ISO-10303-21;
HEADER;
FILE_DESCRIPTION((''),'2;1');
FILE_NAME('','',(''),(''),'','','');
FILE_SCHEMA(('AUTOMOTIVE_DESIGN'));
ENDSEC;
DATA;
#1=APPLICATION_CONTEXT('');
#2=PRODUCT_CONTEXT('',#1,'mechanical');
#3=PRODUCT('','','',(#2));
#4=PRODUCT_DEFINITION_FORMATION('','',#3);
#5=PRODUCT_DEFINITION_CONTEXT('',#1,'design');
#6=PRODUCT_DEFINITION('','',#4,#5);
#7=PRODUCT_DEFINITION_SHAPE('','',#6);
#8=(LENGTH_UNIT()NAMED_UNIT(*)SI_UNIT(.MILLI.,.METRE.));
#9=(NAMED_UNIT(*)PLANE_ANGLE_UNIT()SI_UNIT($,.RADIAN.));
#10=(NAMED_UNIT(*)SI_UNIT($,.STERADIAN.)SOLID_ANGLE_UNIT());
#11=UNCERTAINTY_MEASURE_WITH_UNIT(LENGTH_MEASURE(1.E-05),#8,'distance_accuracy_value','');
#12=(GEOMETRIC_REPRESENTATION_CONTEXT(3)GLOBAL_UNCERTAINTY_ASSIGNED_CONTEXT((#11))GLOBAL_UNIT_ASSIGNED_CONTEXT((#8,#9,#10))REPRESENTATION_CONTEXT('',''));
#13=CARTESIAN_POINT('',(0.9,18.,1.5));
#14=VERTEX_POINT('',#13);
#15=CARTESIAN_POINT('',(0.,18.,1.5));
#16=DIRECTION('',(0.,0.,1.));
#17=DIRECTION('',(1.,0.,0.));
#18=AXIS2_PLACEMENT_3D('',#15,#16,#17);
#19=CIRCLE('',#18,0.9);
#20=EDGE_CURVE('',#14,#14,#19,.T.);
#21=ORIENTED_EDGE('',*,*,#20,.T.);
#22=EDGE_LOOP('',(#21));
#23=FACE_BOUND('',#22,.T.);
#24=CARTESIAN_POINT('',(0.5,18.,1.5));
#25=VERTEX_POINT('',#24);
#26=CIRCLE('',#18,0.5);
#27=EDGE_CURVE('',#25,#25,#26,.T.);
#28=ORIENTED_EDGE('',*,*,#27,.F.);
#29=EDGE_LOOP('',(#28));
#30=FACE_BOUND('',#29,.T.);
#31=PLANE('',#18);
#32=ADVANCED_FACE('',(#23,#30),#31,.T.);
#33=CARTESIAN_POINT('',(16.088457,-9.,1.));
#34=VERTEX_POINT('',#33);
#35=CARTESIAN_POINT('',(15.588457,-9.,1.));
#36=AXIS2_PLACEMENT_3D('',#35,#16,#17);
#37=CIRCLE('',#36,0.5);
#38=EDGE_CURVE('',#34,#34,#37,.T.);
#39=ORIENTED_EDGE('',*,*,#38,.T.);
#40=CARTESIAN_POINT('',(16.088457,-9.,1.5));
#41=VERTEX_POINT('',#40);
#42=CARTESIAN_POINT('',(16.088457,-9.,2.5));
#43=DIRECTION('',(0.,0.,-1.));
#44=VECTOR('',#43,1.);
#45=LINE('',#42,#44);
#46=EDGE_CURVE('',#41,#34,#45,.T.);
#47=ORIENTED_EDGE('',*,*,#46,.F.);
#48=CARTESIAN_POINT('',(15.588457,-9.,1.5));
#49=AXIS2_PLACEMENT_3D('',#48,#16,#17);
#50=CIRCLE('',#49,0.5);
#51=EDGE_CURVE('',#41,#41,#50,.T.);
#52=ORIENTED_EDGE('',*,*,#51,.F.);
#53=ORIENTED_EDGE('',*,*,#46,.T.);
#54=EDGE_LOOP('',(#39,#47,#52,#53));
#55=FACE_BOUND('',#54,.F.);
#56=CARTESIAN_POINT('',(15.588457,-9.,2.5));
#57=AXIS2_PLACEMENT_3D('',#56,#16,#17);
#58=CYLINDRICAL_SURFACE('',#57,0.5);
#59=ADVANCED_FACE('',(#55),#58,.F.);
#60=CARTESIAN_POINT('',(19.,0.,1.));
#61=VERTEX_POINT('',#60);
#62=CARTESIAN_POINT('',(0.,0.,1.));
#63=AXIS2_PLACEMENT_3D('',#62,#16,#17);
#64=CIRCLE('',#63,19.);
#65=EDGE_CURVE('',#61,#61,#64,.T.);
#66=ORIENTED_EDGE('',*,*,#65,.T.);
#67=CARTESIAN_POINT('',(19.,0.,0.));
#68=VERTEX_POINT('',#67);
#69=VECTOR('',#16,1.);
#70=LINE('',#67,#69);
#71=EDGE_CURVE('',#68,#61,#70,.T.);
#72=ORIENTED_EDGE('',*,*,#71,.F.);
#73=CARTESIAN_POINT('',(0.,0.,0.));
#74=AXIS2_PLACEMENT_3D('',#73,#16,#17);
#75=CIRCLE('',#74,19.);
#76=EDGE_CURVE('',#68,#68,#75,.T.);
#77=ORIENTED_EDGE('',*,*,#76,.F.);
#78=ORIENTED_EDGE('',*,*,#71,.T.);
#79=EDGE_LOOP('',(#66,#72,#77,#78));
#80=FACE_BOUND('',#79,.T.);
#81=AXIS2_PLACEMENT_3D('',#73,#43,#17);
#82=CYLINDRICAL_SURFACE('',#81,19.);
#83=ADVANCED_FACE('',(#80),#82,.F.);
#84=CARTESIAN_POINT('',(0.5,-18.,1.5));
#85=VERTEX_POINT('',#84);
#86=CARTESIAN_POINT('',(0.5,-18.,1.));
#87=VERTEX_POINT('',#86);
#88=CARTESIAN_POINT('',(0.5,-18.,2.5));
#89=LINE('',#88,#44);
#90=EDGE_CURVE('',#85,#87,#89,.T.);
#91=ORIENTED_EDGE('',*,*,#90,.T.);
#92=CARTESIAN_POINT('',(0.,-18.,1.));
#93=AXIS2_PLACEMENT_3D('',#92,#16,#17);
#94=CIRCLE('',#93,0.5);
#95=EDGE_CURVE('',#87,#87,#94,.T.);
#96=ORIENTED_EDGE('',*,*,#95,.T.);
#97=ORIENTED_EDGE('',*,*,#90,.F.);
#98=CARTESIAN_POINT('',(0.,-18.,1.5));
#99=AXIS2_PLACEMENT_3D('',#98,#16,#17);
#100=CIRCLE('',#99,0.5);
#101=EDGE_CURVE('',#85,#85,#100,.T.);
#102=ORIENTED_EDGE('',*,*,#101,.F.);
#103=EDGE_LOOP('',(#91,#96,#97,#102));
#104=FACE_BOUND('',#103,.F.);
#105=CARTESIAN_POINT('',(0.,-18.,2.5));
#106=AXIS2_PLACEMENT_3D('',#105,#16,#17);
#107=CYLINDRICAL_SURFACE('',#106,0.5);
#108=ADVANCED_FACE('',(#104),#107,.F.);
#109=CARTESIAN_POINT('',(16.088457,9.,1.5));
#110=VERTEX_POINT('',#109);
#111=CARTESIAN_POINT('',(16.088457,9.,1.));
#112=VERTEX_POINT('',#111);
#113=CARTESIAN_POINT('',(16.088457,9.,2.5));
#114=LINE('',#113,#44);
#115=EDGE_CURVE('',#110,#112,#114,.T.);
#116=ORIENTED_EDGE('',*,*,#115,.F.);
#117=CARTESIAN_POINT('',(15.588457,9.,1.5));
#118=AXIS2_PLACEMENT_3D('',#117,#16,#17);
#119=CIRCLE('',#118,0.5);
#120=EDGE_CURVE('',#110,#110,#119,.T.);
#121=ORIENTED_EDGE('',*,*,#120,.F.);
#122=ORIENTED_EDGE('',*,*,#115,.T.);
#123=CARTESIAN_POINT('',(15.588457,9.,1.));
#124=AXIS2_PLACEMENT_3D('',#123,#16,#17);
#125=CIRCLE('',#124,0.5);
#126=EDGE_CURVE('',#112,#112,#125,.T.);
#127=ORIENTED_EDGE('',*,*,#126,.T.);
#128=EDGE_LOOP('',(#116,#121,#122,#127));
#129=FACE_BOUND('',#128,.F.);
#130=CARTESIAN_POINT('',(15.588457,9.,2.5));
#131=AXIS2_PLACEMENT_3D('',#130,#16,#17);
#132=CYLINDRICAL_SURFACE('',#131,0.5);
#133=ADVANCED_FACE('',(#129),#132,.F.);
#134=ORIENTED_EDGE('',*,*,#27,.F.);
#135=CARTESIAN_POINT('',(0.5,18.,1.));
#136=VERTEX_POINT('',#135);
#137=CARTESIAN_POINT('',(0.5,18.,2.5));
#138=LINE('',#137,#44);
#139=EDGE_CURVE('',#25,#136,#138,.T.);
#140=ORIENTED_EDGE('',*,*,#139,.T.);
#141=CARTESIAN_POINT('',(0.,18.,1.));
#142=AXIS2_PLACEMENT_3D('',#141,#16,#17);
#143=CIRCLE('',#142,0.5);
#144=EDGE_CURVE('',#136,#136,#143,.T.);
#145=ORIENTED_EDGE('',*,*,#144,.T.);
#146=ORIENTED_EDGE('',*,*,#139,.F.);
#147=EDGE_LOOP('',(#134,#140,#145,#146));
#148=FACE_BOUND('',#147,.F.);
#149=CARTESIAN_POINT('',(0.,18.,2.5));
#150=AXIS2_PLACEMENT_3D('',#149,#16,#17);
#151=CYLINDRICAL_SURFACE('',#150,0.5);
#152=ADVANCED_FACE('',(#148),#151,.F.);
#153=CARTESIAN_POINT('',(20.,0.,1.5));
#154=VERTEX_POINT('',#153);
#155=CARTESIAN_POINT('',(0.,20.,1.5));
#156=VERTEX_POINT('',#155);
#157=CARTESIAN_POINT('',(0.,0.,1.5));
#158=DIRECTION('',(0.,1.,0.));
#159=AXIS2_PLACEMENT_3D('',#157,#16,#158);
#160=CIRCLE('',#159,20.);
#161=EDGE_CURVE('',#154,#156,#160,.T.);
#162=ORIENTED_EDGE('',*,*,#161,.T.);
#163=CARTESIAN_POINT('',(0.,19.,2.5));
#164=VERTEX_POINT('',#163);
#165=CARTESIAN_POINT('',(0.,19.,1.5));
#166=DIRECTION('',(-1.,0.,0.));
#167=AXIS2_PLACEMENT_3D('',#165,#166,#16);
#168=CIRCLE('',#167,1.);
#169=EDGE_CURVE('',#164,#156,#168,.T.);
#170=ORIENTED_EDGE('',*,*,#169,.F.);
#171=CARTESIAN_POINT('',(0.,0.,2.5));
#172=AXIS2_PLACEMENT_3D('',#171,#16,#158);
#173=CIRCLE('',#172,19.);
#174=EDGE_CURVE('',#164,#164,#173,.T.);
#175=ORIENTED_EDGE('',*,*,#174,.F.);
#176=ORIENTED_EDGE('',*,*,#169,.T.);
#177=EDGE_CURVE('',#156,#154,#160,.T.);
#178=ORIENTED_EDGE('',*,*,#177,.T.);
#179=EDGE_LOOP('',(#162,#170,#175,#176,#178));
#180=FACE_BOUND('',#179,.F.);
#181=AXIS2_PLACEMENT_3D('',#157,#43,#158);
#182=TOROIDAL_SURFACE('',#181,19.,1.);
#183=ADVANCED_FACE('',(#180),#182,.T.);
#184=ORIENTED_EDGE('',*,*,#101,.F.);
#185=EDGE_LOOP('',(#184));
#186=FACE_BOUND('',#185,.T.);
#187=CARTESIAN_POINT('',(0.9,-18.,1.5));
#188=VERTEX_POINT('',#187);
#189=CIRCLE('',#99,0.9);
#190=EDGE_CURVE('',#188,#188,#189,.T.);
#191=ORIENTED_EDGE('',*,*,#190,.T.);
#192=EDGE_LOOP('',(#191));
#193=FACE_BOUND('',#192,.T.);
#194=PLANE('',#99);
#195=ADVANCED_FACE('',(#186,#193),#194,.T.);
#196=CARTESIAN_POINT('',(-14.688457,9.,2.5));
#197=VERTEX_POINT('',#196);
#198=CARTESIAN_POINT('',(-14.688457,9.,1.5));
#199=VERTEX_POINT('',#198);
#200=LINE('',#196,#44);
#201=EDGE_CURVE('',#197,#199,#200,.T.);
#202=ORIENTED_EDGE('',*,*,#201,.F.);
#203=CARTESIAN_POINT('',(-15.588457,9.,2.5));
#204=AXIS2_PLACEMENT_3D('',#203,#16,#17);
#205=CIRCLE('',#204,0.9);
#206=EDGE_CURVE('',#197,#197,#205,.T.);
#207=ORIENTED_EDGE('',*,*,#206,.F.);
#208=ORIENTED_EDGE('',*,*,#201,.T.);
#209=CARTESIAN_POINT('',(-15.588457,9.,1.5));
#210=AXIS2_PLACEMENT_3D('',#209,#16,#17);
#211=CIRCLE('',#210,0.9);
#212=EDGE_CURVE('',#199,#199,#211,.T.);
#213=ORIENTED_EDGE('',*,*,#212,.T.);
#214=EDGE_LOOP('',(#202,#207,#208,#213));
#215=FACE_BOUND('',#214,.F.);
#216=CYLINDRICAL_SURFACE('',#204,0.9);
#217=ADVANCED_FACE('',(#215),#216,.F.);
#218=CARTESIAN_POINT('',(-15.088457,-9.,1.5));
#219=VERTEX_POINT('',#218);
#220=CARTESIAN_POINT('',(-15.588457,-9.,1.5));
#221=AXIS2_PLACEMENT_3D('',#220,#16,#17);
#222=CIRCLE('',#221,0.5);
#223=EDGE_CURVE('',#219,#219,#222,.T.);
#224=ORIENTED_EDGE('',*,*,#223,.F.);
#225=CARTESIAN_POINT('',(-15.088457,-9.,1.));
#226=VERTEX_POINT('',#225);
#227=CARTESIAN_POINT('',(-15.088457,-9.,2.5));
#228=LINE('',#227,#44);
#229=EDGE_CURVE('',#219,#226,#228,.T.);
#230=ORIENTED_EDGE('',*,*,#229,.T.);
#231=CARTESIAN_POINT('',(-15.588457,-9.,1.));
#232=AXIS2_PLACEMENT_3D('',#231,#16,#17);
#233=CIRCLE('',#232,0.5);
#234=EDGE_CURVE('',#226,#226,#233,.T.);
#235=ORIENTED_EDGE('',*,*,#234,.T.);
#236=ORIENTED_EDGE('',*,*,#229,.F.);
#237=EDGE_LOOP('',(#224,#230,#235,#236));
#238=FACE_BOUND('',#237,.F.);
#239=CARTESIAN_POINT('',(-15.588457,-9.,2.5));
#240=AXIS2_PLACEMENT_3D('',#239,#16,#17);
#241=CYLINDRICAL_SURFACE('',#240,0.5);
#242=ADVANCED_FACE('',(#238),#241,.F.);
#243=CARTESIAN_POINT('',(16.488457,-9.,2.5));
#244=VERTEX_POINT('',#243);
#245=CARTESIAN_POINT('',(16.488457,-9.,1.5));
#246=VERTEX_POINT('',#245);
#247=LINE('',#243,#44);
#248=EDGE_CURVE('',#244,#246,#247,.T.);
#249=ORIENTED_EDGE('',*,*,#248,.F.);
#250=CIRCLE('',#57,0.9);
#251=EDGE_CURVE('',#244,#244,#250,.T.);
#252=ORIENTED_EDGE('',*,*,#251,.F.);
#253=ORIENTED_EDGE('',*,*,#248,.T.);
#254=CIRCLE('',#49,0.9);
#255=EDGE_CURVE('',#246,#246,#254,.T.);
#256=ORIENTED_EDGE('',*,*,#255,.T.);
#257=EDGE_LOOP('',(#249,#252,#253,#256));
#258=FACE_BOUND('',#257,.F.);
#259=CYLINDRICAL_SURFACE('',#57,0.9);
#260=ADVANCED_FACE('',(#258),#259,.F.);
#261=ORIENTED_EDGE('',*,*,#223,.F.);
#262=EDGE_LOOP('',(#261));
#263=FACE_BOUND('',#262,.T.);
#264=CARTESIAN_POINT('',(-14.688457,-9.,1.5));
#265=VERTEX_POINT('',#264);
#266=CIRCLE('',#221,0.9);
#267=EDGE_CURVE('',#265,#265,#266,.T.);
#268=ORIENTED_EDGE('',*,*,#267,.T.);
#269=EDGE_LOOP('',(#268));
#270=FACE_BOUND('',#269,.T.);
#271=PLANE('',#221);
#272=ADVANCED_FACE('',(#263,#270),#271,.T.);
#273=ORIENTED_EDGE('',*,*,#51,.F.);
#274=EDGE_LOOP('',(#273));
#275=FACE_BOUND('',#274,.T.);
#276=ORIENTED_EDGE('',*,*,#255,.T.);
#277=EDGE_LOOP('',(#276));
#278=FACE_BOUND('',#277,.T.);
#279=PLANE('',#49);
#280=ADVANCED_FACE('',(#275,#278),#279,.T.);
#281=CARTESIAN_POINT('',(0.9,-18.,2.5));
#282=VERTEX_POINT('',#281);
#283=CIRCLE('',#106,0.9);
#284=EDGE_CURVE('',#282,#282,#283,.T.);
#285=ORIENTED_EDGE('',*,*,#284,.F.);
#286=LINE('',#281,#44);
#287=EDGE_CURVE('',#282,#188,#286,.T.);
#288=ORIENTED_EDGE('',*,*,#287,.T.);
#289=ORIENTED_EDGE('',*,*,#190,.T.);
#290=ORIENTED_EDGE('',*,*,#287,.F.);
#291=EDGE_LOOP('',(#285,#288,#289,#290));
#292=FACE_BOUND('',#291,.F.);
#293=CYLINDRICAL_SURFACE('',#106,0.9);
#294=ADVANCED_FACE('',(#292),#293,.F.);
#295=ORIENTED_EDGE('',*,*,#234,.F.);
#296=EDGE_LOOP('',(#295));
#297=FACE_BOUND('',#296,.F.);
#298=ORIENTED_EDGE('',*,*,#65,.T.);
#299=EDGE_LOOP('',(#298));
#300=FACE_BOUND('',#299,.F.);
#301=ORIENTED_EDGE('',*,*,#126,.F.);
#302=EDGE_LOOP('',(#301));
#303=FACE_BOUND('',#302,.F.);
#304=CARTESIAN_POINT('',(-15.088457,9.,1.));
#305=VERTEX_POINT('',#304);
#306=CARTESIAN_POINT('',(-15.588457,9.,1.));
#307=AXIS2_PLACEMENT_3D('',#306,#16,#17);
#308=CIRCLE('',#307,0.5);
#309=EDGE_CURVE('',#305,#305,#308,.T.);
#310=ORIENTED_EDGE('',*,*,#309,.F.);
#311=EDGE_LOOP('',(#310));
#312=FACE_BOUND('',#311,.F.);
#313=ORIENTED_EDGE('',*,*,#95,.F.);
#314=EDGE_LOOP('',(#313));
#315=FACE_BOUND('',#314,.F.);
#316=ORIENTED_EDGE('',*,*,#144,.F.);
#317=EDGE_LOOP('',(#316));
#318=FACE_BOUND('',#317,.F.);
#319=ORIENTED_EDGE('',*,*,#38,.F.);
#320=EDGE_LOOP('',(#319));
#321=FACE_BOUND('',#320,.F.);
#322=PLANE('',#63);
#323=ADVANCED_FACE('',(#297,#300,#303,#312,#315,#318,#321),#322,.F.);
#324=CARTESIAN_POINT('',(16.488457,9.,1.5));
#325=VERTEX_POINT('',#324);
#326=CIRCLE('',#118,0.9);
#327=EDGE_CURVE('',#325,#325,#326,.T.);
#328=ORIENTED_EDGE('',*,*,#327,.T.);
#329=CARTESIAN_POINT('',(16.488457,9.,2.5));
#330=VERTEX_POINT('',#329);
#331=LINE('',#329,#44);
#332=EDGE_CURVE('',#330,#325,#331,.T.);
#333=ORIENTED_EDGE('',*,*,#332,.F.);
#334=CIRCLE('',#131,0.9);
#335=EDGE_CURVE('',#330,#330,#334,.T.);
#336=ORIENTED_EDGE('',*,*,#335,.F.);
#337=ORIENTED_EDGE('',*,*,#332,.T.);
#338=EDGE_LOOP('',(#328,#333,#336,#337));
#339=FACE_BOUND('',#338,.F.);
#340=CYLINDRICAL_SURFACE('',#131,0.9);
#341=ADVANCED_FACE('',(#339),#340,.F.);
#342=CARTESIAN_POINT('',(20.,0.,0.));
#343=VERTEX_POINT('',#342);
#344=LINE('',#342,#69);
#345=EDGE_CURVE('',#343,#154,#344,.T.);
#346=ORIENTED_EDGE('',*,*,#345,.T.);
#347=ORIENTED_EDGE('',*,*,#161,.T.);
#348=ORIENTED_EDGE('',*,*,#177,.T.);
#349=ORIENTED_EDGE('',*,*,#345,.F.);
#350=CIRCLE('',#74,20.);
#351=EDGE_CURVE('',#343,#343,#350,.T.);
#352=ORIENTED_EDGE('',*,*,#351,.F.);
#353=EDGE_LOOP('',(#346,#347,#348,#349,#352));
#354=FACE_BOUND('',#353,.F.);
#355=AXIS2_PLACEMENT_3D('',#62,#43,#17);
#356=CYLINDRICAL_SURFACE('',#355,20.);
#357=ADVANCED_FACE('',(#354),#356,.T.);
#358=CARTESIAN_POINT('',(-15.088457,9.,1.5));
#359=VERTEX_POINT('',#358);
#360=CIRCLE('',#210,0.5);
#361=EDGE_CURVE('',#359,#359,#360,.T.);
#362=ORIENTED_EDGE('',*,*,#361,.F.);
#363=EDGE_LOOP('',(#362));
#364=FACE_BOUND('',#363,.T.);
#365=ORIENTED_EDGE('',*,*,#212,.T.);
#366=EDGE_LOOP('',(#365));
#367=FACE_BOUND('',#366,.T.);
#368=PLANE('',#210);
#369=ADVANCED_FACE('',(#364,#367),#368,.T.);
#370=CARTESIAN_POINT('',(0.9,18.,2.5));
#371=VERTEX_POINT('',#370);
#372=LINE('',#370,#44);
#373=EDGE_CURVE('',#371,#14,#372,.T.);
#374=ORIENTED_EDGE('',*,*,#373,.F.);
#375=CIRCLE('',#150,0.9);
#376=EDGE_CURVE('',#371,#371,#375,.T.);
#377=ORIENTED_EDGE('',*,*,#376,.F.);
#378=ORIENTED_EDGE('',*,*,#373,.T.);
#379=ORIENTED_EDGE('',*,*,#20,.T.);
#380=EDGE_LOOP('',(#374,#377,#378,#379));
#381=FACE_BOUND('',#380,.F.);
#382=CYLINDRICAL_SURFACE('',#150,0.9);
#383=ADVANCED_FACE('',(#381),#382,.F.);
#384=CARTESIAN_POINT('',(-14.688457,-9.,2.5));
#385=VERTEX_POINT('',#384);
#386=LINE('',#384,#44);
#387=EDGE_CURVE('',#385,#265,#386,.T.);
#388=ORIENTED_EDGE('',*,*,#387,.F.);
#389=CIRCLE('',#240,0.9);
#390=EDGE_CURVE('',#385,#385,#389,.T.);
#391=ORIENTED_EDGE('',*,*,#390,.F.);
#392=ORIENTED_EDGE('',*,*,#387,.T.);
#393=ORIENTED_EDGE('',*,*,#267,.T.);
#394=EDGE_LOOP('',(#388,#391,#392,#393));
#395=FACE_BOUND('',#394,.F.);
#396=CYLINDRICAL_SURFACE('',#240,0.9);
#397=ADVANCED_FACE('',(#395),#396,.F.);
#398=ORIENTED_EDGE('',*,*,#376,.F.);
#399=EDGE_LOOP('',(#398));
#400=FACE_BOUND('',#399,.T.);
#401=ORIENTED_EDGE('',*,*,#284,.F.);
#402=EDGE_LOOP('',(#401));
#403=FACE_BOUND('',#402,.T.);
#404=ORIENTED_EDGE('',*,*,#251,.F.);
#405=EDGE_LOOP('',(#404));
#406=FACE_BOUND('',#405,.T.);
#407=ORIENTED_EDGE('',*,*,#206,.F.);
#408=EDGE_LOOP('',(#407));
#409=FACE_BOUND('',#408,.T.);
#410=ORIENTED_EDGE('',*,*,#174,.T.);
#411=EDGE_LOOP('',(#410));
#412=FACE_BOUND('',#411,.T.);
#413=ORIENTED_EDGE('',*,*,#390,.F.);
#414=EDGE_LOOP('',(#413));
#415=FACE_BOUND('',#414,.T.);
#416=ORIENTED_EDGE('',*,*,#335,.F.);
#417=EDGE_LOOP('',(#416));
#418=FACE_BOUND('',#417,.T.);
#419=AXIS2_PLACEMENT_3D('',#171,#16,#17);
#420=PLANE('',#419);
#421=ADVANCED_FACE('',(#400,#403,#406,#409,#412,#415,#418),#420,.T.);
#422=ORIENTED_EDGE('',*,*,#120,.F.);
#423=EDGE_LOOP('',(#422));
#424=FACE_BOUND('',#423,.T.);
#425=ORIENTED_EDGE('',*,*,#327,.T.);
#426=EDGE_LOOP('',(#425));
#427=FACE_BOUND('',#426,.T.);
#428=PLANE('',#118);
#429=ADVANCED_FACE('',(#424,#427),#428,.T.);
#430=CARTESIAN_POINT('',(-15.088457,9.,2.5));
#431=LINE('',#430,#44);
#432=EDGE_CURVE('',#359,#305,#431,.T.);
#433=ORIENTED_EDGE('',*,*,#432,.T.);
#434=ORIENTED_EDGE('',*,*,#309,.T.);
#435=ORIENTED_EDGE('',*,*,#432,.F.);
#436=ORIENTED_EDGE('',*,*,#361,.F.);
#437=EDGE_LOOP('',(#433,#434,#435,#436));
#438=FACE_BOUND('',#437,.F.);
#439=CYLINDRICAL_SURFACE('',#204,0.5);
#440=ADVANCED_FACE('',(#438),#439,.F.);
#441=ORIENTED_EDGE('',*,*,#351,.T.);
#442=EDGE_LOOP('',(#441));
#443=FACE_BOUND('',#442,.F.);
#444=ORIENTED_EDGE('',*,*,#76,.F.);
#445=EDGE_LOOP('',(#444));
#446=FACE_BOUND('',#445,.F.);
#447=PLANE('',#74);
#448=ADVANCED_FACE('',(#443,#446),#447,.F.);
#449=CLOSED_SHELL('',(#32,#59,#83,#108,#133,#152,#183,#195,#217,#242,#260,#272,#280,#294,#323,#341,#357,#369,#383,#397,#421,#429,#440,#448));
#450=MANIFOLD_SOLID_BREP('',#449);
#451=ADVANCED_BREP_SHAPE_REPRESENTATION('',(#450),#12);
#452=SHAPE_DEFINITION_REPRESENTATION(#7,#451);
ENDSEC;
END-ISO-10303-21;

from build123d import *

# Parameters (mm, degrees)
F0_R     = 20
F0_R_2   = 19
F1_DEPTH = 1
F2_R     = 20
F3_DEPTH = 1.5
F4_R     = 0.5
F5_DEPTH = 2.501
F6_R     = 0.9
F7_DEPTH = 1


with BuildPart() as f1:
    # F0 (on Top) → F1 (new body)
    with BuildSketch(Plane.XY):
        Circle(F0_R)
        Circle(F0_R_2, mode=Mode.SUBTRACT)
    extrude(amount=F1_DEPTH)

    # F2 (on face) → F3 (join)
    with BuildSketch(Plane.XY.offset(1)):
        Circle(F2_R)
    extrude(amount=F3_DEPTH)

    # F4 (on face) → F5 (cut, through all)
    with BuildSketch(Plane.XY.offset(2.5)):
        with Locations((0, 18)):
            Circle(F4_R)
        with Locations((15.5884572681, 9)):
            Circle(F4_R)
        with Locations((15.5884572681, -9)):
            Circle(F4_R)
        with Locations((0, -18)):
            Circle(F4_R)
        with Locations((-15.5884572681, -9)):
            Circle(F4_R)
        with Locations((-15.5884572681, 9)):
            Circle(F4_R)
    extrude(amount=-F5_DEPTH, mode=Mode.SUBTRACT)

    # F6 (on face) → F7 (cut)
    with BuildSketch(Plane.XY.offset(2.5)):
        with Locations((0, 18)):
            Circle(F6_R)
        with Locations((-15.5884572681, 9)):
            Circle(F6_R)
        with Locations((-15.5884572681, -9)):
            Circle(F6_R)
        with Locations((0, -18)):
            Circle(F6_R)
        with Locations((15.5884572681, -9)):
            Circle(F6_R)
        with Locations((15.5884572681, 9)):
            Circle(F6_R)
    extrude(amount=-F7_DEPTH, mode=Mode.SUBTRACT)

    # F8 (on Right) → F9 (revolve, cut)
    with BuildSketch(Plane.YZ):
        with BuildLine():
            Line((20, 1.5), (20, 2.5))
            Line((20, 2.5), (19, 2.5))
            ThreePointArc((19, 2.5), (19.7071067812, 2.2071067812), (20, 1.5))
        make_face()
    revolve(axis=Axis((0, 0, 3.847687738), (0, 0, 1)), mode=Mode.SUBTRACT)


solid = f1.part
